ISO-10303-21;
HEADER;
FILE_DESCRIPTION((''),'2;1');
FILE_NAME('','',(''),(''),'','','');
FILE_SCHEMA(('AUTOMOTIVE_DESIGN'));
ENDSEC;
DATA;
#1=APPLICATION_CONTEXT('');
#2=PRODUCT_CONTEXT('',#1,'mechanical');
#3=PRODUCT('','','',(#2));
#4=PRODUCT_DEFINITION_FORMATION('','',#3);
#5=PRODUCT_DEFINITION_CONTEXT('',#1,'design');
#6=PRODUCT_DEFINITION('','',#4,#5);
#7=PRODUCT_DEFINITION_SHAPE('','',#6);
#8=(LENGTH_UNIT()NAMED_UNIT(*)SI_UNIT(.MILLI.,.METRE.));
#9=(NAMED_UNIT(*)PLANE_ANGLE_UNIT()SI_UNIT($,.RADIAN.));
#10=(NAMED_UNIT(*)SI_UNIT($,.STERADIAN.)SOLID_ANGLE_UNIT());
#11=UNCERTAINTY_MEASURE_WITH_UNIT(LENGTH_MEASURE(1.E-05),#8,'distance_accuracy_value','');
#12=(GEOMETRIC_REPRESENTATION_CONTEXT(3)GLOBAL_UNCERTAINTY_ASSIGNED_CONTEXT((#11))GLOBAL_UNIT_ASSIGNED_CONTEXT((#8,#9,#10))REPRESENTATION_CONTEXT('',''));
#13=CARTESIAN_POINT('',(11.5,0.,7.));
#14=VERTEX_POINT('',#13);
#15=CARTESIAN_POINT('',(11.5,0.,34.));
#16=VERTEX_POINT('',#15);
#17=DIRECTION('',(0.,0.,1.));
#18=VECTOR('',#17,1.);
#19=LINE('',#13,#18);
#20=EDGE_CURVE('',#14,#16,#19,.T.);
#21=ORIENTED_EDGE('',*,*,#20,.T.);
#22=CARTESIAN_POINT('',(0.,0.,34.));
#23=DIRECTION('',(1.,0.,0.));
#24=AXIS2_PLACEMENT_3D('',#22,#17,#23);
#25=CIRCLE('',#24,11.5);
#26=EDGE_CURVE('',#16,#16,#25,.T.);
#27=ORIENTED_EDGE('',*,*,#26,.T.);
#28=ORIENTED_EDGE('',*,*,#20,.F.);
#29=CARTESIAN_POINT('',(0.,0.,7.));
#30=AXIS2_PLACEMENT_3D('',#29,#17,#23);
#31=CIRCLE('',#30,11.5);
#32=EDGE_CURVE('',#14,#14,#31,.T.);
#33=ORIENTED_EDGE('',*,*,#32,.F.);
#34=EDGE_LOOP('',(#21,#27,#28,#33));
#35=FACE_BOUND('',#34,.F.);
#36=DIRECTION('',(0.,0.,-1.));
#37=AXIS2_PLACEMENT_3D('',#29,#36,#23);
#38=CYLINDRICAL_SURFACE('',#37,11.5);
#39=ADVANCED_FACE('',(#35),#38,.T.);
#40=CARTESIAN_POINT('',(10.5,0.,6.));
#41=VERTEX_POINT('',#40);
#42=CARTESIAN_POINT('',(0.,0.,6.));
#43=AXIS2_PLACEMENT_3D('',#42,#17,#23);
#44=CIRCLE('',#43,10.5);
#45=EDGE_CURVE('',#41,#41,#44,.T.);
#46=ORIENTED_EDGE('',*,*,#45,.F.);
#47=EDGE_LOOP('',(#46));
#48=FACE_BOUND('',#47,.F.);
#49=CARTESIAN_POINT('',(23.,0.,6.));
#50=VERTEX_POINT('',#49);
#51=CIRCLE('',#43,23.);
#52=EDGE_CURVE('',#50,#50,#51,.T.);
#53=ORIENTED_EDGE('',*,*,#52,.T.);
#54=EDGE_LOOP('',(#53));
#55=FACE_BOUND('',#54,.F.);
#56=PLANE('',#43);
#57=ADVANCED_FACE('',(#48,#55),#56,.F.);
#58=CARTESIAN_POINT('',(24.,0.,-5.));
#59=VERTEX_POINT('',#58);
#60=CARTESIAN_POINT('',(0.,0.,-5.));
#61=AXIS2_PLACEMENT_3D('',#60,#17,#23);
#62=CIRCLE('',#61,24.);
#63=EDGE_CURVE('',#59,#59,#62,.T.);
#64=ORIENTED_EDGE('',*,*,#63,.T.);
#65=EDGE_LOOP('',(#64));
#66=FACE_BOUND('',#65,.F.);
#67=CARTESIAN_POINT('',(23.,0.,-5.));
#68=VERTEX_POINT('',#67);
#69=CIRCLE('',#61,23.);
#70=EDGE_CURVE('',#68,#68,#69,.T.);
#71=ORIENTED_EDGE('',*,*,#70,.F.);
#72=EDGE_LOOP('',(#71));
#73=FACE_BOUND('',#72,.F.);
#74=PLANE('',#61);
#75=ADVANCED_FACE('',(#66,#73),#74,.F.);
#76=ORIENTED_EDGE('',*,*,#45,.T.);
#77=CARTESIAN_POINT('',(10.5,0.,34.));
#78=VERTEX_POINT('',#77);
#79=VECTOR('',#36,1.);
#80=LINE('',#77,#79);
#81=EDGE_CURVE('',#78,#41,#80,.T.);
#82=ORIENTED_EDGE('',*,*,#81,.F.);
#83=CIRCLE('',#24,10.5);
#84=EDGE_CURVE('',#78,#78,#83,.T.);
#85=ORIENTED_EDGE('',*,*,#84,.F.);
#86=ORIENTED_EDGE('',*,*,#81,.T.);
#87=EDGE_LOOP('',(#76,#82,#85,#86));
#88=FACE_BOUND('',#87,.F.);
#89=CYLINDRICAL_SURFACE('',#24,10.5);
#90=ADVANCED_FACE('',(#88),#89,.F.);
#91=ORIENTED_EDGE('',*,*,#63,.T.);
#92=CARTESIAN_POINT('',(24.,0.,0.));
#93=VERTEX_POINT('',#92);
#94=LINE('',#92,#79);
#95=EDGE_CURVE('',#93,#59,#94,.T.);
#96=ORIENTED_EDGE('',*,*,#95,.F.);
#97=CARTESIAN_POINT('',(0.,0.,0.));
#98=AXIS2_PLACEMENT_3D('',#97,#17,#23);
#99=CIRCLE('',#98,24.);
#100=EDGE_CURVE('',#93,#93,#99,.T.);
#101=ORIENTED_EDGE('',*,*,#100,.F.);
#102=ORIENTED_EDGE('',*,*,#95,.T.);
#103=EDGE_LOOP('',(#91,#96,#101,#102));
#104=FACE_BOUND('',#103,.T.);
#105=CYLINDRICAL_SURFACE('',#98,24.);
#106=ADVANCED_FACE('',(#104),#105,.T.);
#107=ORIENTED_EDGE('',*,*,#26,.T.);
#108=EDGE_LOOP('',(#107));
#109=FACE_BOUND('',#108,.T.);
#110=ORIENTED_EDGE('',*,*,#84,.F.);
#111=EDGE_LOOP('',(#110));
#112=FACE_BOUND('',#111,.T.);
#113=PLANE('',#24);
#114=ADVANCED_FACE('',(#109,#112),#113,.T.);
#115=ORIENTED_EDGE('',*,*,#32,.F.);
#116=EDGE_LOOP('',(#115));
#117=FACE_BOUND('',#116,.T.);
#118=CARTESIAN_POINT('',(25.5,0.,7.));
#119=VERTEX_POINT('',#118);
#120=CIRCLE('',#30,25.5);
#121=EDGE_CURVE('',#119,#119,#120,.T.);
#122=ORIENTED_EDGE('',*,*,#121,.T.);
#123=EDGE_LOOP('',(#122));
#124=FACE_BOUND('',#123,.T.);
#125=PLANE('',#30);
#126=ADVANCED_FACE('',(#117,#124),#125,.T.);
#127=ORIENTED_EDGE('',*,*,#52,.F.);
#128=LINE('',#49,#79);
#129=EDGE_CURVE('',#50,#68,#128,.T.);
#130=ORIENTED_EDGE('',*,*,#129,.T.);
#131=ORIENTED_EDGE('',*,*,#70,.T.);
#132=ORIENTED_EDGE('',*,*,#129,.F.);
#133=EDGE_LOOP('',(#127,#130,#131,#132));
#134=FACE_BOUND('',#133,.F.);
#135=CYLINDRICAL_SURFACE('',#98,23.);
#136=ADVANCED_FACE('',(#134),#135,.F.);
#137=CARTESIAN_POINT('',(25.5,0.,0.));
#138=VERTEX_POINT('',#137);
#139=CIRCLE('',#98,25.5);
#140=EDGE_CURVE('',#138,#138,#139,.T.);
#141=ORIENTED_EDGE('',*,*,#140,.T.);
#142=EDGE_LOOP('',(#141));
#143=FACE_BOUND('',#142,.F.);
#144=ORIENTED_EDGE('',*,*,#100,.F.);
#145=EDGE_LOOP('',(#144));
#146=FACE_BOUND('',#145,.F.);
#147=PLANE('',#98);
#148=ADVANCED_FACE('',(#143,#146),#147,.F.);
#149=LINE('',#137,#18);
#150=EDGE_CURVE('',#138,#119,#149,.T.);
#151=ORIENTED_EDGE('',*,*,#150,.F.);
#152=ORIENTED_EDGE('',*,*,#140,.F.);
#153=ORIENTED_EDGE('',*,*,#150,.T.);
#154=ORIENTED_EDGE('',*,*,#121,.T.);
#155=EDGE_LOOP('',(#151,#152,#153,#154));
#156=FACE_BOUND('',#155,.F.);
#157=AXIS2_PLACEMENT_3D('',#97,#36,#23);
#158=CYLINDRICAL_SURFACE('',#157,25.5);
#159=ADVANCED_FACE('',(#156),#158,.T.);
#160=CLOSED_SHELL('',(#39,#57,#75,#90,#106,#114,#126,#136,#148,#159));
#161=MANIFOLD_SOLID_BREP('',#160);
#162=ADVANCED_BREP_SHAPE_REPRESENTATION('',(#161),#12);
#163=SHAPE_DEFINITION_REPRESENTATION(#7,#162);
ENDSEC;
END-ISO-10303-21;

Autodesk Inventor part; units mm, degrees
ref_plane "YZ Plane" through (0, 0, 0) normal (1, 0, 0) x (0, 1, 0)
ref_plane "XZ Plane" through (0, 0, 0) normal (0, 1, 0) x (-1, 0, 0)
ref_plane "XY Plane" through (0, 0, 0) normal (0, 0, 1) x (1, 0, 0)
ref_plane "Plano de trabalho1" through (0, 0, 0) normal (0, 0, 1) x (1, 0, 0)
sketch "Esboço1" plane through (0, 0, 0) normal (0, 0, 1) x (1, 0, 0)
  circle A0 centre (0, 0) radius 24 projected
  circle A1 centre (0, 0) radius 23
  point P0 (0, 0)
  dimension "d0" = 1
extrude "Extrusão1" add sketch "Esboço1" against normal blind 5
sketch "Esboço2" plane through (0, 0, 0) normal (0, 0, 1) x (1, 0, 0)
  circle A0 centre (0, 0) radius 23 projected
  circle A1 centre (0, 0) radius 25.5
  point P0 (0, 0)
  dimension "d3" = 2.5
extrude "Extrusão2" add sketch "Esboço2" along normal blind 7
sketch "Esboço3" plane through (0, 0, 7) normal (0, 0, 1) x (1, 0, 0)
  circle A0 centre (0, 0) radius 23 projected
  point P0 (0, 0)
extrude "Extrusão3" add sketch "Esboço3" against normal blind 1
sketch "Esboço4" plane through (0, 0, 7) normal (0, 0, 1) x (1, 0, 0)
  circle A0 centre (0, 0) radius 11.5
  dimension "d8" = 23
extrude "Extrusão4" add sketch "Esboço4" along normal blind 27
sketch "Esboço5" plane through (0, 0, 34) normal (0, 0, 1) x (1, 0, 0)
  circle A0 centre (0, 0) radius 11.5 projected
  circle A1 centre (0, 0) radius 10.5
  dimension "d11" = 1
extrude "Extrusão5" cut sketch "Esboço5" against normal through all contours A1
properties part number "Bocal de Saída"
